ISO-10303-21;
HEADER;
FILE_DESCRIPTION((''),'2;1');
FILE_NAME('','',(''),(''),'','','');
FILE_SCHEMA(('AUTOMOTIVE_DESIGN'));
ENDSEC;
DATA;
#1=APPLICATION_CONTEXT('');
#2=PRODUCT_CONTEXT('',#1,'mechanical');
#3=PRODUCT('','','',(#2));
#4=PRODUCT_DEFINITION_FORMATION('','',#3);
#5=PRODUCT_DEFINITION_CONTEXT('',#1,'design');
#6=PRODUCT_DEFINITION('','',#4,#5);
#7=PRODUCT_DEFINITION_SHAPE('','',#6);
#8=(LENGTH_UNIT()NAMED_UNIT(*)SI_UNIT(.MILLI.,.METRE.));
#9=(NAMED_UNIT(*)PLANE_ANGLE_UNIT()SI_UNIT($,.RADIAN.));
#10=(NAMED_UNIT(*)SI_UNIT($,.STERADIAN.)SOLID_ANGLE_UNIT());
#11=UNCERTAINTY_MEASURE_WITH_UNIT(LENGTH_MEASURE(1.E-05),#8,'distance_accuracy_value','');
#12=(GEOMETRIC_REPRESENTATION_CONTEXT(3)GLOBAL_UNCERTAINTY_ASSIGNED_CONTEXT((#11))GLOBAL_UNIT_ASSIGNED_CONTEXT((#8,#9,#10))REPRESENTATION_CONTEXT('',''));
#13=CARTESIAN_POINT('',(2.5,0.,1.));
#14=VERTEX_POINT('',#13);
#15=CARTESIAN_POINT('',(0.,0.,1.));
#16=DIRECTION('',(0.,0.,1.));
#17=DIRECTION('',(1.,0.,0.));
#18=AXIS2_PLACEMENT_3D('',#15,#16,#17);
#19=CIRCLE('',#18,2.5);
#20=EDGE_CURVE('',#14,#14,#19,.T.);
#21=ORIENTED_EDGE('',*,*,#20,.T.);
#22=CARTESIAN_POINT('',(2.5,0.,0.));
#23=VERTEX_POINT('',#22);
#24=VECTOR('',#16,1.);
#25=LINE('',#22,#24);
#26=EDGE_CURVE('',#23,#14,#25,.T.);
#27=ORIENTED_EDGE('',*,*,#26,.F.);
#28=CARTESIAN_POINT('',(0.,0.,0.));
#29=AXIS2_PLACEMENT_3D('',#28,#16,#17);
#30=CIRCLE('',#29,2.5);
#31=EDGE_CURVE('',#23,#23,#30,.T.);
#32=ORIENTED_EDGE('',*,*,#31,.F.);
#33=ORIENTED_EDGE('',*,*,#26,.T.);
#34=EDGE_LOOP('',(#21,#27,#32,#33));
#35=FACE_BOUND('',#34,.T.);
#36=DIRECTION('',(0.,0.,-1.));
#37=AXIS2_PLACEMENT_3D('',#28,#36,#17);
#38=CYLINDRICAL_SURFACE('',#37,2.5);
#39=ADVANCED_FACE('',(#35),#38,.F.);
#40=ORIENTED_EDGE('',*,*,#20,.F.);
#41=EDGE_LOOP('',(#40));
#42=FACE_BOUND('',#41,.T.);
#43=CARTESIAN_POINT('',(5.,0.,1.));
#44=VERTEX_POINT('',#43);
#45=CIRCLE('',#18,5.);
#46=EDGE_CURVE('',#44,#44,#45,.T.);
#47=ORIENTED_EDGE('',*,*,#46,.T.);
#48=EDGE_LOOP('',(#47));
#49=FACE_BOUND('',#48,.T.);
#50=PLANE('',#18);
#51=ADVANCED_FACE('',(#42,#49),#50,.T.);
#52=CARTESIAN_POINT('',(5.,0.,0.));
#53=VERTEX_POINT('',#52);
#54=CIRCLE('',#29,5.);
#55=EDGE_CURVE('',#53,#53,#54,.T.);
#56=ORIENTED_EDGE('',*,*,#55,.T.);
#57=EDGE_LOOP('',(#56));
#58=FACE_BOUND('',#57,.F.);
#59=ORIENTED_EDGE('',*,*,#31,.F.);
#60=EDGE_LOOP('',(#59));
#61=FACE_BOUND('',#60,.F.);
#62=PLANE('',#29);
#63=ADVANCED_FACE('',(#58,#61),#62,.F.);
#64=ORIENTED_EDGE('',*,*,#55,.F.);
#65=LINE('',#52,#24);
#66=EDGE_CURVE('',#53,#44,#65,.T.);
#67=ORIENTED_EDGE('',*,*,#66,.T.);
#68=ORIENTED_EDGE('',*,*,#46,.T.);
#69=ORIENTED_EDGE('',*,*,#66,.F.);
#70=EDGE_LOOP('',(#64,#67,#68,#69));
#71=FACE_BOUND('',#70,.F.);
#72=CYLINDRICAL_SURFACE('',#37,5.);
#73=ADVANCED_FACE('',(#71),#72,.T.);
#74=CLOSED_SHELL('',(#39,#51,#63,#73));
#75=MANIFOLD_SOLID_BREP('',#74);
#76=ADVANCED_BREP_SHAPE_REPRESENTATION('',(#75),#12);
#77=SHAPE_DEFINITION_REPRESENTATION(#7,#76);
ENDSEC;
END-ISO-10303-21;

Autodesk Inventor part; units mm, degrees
ref_plane "YZ Plane" through (0, 0, 0) normal (1, 0, 0) x (0, 1, 0)
ref_plane "XZ Plane" through (0, 0, 0) normal (0, 1, 0) x (-1, 0, 0)
ref_plane "XY Plane" through (0, 0, 0) normal (0, 0, 1) x (1, 0, 0)
sketch "Sketch1" plane through (0, 0, 0) normal (0, 0, 1) x (1, 0, 0)
  circle A0 centre (0, 0) radius 2.5
  circle A1 centre (0, 0) radius 5
  dimension "d0" = 5
  dimension "d1" = 10
extrude "Extrusion1" add sketch "Sketch1" along normal blind 1
properties part number "5mm Precision Washer" material "Stainless Steel"
